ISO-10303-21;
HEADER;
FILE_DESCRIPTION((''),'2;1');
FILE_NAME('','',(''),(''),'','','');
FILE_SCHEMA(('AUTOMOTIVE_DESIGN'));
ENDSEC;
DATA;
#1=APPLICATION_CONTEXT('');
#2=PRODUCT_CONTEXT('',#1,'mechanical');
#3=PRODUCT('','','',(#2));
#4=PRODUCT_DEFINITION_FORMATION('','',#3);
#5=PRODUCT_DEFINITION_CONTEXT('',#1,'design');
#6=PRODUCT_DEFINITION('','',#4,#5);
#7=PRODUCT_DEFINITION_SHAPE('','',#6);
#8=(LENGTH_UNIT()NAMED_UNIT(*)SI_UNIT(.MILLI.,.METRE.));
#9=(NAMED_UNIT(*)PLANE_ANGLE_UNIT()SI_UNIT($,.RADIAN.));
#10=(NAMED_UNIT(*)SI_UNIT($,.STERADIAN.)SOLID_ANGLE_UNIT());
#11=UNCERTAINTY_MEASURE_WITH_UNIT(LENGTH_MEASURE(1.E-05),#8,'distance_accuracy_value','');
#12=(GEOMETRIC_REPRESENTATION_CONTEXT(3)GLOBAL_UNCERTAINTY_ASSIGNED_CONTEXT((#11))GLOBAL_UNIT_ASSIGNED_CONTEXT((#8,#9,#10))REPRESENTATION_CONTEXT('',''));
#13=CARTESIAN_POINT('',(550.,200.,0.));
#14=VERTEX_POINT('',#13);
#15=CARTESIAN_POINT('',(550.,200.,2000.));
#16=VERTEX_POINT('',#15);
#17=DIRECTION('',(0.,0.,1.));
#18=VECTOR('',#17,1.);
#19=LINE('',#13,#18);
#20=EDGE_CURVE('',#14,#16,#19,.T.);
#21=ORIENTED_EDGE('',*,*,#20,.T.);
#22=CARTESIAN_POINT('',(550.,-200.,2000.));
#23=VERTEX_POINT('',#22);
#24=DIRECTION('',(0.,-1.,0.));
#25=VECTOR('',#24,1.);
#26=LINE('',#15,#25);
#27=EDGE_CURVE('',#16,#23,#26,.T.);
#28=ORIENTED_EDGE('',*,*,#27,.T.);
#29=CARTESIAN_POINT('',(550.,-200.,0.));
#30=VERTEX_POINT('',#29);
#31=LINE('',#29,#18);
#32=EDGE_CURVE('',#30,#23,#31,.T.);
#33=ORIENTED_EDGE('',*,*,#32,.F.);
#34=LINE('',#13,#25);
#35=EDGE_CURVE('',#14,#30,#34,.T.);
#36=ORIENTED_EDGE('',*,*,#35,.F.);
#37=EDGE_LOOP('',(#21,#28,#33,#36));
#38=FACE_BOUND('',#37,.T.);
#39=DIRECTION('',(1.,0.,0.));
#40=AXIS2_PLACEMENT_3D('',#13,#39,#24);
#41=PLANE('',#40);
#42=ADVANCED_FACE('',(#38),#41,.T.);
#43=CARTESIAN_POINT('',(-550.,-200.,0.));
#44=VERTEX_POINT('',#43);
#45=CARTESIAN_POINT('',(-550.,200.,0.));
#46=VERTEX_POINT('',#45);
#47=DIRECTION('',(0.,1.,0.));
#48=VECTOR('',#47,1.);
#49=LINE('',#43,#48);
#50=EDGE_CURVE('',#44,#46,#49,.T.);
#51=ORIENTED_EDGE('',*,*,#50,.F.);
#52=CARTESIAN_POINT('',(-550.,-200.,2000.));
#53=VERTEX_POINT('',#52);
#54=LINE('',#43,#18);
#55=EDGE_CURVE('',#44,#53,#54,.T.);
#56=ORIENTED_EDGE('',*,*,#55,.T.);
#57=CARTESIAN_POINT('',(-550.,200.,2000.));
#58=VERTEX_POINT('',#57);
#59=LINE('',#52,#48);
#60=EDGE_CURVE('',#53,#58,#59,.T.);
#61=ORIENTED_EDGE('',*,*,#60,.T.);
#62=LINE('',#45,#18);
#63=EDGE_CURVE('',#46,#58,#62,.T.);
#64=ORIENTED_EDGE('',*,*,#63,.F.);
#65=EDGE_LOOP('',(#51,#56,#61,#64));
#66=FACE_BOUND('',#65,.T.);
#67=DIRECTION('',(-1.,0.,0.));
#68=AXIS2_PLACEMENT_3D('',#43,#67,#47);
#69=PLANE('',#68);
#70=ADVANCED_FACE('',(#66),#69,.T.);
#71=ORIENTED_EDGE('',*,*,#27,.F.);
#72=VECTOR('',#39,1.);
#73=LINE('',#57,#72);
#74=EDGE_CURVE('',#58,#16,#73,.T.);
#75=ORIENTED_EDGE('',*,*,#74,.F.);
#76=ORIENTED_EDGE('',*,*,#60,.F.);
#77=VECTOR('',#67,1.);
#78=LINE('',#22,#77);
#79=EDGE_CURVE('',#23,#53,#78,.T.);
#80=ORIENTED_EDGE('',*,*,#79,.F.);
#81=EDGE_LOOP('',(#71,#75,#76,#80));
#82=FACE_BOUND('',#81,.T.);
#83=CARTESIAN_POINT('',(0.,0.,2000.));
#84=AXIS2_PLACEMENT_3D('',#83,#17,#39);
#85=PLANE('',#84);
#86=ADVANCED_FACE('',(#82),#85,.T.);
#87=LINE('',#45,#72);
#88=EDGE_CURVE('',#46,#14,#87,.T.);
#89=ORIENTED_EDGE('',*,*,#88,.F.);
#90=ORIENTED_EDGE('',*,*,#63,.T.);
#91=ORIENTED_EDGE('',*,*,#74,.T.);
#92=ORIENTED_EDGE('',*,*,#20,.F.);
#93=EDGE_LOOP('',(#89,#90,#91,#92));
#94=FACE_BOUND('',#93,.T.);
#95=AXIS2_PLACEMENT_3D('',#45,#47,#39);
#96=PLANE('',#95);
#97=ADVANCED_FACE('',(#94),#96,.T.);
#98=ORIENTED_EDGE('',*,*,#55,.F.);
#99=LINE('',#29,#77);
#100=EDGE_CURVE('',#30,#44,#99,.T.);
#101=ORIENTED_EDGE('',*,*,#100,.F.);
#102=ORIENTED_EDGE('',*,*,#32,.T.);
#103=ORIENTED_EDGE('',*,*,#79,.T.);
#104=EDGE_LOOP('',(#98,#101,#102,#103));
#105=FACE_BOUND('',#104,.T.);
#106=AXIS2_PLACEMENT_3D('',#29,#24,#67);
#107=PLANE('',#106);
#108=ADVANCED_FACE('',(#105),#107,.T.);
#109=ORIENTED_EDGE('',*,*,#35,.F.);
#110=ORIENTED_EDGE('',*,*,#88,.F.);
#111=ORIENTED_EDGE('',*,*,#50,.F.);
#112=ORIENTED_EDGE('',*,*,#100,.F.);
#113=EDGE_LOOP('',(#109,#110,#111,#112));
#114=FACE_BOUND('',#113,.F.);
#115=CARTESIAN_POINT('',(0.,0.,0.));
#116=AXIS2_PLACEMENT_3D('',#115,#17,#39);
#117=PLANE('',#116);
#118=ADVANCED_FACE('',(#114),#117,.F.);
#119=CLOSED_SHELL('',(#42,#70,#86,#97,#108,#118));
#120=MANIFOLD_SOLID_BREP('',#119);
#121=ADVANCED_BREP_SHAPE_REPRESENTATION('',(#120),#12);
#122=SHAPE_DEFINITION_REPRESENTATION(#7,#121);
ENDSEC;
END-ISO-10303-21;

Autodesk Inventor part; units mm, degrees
ref_plane "YZ Plane" through (0, 0, 0) normal (1, 0, 0) x (0, 1, 0)
ref_plane "XZ Plane" through (0, 0, 0) normal (0, 1, 0) x (-1, 0, 0)
ref_plane "XY Plane" through (0, 0, 0) normal (0, 0, 1) x (1, 0, 0)
sketch "Sketch1" plane through (0, 0, 0) normal (0, 0, 1) x (1, 0, 0)
  line L0 (-550, 200) -> (550, 200)
  line L1 (550, 200) -> (550, -200)
  line L2 (550, -200) -> (-550, -200)
  line L3 (-550, -200) -> (-550, 200)
  line L4 (-550, -200) -> (550, 200) construction
  point P0 (0, 0)
  point P1 (0, 0)
  dimension "d0" = 1100
  dimension "d1" = 400
extrude "Extrusion1" add sketch "Sketch1" along normal blind 2000
equation "\"d0\" = Длина"
equation "\"d1\" = Ширина"
equation "\"d2\" = Высота"
equation "\"Длина\" = 1100"
equation "\"Ширина\" = 400"
equation "\"Высота\" = 2000"
properties part number "Control box №2"
